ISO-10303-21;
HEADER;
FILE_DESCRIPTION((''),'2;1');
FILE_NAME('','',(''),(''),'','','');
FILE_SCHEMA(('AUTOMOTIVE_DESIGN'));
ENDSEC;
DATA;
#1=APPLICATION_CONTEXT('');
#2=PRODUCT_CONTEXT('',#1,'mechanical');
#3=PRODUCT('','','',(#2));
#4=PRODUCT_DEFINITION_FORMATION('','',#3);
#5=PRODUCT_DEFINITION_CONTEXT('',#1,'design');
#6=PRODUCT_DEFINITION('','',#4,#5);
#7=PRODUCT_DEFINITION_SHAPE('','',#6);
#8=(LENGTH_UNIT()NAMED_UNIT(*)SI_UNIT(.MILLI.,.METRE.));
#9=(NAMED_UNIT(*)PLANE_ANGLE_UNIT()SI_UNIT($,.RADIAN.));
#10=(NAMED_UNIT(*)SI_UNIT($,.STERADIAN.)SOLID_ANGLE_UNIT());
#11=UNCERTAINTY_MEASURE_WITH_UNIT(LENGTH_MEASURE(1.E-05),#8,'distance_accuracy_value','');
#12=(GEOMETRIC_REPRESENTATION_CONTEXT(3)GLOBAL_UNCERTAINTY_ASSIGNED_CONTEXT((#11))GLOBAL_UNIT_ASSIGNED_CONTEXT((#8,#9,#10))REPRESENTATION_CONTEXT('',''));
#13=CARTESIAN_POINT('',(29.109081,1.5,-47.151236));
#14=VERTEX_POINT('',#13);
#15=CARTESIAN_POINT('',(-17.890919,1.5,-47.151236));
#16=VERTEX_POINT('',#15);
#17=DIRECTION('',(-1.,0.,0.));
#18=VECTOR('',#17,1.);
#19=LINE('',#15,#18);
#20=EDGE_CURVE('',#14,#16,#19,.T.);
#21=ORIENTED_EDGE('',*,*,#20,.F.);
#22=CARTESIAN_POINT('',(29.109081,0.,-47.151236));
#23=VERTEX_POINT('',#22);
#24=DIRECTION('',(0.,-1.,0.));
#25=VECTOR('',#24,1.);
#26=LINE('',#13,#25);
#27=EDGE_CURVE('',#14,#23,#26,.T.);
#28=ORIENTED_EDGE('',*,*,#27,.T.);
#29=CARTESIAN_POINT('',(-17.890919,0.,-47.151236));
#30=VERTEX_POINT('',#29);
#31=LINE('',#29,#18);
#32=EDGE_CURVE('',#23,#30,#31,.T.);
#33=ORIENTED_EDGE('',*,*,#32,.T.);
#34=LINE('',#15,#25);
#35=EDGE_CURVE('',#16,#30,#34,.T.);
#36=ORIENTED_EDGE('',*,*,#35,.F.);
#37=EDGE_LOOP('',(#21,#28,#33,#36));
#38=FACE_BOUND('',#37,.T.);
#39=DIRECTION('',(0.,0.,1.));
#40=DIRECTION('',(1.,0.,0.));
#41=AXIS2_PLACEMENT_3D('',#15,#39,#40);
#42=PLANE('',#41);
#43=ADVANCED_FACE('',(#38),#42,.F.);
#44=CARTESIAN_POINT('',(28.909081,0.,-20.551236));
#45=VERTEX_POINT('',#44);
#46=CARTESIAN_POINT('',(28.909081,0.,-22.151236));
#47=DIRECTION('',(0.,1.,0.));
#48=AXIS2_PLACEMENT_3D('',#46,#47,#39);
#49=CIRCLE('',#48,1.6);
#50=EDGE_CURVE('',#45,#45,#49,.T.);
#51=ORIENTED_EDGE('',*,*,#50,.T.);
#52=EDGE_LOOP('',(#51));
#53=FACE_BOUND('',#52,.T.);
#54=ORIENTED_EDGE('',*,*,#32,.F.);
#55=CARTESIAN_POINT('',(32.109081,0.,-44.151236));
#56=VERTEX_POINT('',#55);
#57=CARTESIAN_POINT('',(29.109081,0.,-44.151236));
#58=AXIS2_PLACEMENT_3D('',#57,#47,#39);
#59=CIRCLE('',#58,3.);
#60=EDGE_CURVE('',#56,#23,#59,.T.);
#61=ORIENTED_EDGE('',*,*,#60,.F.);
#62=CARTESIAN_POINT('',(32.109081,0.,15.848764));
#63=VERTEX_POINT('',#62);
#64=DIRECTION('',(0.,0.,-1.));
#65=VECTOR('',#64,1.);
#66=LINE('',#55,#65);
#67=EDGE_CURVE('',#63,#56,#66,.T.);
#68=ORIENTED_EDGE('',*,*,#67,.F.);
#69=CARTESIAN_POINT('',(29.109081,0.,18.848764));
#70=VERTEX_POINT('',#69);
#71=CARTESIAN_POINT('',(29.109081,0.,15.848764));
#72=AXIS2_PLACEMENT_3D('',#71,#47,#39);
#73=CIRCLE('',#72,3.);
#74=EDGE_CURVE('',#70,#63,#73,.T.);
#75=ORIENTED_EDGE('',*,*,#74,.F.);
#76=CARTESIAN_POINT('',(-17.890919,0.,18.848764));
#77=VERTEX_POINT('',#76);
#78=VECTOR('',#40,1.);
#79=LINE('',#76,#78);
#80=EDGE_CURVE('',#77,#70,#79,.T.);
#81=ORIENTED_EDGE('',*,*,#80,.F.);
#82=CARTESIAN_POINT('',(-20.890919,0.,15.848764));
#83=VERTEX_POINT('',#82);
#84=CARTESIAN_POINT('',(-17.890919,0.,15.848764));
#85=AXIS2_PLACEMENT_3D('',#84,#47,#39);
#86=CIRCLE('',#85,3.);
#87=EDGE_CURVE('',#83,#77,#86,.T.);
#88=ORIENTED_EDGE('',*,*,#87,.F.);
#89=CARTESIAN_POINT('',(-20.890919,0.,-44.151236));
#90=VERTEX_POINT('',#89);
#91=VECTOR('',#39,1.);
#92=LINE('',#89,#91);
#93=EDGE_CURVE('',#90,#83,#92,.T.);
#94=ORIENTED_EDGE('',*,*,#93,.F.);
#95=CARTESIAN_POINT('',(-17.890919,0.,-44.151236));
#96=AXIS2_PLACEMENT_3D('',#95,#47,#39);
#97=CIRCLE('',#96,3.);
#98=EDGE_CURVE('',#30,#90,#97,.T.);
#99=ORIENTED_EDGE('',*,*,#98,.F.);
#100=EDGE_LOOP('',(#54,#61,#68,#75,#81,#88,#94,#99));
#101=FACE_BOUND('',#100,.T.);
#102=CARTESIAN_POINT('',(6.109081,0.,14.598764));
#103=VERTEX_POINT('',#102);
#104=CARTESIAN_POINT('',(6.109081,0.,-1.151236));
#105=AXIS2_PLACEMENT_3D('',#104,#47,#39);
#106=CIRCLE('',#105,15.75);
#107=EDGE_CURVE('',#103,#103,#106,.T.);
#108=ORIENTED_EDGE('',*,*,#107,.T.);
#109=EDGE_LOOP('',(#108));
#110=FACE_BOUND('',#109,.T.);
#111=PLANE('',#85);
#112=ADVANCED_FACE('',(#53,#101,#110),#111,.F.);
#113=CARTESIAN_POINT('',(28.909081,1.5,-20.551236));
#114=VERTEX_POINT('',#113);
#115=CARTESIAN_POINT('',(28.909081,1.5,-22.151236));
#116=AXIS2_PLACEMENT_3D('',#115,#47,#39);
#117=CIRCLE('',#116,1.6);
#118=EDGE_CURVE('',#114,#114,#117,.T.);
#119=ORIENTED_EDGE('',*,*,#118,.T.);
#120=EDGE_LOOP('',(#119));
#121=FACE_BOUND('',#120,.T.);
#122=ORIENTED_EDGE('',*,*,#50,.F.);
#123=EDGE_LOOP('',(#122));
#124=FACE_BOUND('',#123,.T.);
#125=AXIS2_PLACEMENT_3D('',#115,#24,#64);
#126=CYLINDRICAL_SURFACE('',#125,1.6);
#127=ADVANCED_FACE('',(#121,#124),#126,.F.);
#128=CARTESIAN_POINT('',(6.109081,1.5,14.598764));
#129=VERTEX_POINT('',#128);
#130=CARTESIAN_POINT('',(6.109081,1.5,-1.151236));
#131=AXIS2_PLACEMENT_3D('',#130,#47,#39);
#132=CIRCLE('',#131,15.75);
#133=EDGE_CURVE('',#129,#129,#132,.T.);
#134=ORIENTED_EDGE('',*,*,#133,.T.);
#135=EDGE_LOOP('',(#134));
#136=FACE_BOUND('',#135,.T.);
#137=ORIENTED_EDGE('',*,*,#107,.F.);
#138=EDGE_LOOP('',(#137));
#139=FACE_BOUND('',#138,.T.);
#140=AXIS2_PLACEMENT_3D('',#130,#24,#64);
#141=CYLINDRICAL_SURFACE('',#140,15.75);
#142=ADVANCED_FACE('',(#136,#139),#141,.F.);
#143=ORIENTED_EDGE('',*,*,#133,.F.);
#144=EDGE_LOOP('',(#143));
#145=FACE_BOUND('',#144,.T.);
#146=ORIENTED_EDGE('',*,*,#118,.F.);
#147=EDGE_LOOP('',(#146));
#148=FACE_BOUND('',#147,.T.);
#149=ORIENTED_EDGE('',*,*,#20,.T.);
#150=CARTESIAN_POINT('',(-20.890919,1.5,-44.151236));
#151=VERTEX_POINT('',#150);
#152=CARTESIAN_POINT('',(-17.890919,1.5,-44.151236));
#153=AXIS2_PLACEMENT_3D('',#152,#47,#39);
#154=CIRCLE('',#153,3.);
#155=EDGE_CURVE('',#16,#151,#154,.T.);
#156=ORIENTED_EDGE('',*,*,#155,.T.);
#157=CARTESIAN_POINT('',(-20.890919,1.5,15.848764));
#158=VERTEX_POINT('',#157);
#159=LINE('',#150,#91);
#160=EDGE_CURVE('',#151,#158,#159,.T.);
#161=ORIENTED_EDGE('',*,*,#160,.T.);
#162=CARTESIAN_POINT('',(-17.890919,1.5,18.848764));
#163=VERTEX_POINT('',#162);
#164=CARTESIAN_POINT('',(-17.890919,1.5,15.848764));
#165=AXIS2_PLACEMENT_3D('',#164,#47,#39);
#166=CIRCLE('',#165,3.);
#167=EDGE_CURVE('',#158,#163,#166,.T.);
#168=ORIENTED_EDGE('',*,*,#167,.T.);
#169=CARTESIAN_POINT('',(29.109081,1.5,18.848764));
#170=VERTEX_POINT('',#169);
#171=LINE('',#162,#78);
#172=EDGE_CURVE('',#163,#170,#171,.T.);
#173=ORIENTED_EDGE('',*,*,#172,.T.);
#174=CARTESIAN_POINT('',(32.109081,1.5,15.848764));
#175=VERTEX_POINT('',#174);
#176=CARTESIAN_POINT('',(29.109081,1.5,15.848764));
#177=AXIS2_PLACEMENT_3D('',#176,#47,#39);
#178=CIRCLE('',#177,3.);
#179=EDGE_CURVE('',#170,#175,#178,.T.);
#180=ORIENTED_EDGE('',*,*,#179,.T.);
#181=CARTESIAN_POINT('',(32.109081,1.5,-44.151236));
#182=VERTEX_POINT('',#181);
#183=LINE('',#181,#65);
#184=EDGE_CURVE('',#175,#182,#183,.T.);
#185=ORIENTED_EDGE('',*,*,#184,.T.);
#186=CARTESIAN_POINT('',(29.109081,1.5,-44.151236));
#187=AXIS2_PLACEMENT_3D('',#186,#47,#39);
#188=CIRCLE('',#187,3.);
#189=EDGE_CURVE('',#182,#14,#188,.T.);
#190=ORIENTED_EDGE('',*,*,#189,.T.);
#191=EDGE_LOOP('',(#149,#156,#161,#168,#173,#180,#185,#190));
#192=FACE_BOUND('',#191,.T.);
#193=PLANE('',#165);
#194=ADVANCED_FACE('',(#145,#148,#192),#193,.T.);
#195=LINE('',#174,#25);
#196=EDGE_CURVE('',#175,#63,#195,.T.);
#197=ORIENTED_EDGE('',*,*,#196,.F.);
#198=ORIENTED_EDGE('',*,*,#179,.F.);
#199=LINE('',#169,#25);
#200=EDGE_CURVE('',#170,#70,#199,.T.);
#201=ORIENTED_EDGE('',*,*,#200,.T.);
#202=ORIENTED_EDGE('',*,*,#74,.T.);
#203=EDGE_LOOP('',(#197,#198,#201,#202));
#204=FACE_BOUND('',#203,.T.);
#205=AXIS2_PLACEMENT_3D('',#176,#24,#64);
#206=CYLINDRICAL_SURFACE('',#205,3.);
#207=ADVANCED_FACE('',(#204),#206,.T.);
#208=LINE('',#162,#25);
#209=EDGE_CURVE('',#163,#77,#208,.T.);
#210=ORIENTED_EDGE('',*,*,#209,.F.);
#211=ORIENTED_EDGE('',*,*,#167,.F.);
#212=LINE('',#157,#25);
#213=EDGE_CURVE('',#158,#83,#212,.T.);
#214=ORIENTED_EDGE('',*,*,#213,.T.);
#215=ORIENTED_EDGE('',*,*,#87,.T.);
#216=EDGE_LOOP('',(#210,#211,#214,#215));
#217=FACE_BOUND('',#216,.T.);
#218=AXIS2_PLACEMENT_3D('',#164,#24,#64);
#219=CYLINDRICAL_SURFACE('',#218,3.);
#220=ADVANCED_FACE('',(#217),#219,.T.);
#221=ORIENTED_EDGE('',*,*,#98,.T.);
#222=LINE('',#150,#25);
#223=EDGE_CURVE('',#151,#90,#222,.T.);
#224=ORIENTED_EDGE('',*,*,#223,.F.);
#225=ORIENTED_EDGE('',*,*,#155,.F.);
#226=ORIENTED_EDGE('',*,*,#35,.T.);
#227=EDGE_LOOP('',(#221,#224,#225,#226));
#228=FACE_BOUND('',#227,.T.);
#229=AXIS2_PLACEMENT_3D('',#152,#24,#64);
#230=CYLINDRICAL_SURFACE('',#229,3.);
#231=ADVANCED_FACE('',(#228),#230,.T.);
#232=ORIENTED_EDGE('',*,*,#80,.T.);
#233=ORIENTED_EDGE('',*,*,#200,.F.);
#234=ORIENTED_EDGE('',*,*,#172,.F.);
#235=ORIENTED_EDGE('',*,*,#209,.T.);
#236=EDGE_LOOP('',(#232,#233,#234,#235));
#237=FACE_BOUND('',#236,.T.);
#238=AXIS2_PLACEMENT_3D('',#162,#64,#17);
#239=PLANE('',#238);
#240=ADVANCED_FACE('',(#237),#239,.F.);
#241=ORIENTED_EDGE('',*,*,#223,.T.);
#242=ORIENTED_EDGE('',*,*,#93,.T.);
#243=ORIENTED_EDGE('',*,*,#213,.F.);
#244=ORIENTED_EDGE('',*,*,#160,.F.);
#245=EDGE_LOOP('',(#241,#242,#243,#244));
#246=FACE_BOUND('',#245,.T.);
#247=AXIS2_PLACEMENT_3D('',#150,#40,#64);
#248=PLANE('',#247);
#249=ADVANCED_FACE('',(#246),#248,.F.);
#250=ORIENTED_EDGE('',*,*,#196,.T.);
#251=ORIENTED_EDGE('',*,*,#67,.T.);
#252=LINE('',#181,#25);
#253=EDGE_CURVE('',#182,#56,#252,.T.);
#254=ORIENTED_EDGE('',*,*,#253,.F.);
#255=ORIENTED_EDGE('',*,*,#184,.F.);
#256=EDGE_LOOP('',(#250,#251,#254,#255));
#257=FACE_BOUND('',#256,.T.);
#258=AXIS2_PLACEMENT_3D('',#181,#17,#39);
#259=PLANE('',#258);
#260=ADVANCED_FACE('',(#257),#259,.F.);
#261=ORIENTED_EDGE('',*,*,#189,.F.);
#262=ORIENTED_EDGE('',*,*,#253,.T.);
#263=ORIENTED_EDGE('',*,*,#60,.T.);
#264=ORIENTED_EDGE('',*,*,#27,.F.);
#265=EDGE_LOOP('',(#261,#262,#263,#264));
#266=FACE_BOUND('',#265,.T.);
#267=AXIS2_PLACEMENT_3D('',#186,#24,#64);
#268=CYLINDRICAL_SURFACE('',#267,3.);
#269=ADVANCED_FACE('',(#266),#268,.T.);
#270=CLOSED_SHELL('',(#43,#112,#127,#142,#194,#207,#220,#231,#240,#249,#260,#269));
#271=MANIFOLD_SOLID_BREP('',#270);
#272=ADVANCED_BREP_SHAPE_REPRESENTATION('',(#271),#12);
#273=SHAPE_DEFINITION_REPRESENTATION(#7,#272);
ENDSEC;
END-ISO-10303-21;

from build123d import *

# Parameters (mm, degrees)
SKETCH1_R           = 15.75
SKETCH1_R_2         = 1.6
BOSS_EXTRUDE2_DEPTH = 1.5


with BuildPart() as part:
    # Sketch1 → Boss-Extrude2 (new body)
    with BuildSketch(Plane(origin=(0, 0, 0), x_dir=(1, 0, 0), z_dir=(0, 1, 0))):
        with BuildLine():
            Line((-17.890919225, 47.151235704), (29.109080775, 47.151235704))
            ThreePointArc((29.109080775, 47.151235704), (31.230401119, 46.272556047), (32.109080775, 44.151235704))
            Line((32.109080775, 44.151235704), (32.109080775, -15.848764296))
            ThreePointArc((32.109080775, -15.848764296), (31.230401119, -17.97008464), (29.109080775, -18.848764296))
            Line((29.109080775, -18.848764296), (-17.890919225, -18.848764296))
            ThreePointArc((-17.890919225, -18.848764296), (-20.012239568, -17.97008464), (-20.890919225, -15.848764296))
            Line((-20.890919225, -15.848764296), (-20.890919225, 44.151235704))
            ThreePointArc((-20.890919225, 44.151235704), (-20.012239568, 46.272556047), (-17.890919225, 47.151235704))
        make_face()
        with Locations(Location((6.109080775, 1.151235704, 0), (0, 0, 270))):
            Circle(SKETCH1_R, mode=Mode.SUBTRACT)
        with Locations(Location((28.909080775, 22.151235704, 0), (0, 0, 270))):
            Circle(SKETCH1_R_2, mode=Mode.SUBTRACT)
    extrude(amount=BOSS_EXTRUDE2_DEPTH)


solid = part.part
